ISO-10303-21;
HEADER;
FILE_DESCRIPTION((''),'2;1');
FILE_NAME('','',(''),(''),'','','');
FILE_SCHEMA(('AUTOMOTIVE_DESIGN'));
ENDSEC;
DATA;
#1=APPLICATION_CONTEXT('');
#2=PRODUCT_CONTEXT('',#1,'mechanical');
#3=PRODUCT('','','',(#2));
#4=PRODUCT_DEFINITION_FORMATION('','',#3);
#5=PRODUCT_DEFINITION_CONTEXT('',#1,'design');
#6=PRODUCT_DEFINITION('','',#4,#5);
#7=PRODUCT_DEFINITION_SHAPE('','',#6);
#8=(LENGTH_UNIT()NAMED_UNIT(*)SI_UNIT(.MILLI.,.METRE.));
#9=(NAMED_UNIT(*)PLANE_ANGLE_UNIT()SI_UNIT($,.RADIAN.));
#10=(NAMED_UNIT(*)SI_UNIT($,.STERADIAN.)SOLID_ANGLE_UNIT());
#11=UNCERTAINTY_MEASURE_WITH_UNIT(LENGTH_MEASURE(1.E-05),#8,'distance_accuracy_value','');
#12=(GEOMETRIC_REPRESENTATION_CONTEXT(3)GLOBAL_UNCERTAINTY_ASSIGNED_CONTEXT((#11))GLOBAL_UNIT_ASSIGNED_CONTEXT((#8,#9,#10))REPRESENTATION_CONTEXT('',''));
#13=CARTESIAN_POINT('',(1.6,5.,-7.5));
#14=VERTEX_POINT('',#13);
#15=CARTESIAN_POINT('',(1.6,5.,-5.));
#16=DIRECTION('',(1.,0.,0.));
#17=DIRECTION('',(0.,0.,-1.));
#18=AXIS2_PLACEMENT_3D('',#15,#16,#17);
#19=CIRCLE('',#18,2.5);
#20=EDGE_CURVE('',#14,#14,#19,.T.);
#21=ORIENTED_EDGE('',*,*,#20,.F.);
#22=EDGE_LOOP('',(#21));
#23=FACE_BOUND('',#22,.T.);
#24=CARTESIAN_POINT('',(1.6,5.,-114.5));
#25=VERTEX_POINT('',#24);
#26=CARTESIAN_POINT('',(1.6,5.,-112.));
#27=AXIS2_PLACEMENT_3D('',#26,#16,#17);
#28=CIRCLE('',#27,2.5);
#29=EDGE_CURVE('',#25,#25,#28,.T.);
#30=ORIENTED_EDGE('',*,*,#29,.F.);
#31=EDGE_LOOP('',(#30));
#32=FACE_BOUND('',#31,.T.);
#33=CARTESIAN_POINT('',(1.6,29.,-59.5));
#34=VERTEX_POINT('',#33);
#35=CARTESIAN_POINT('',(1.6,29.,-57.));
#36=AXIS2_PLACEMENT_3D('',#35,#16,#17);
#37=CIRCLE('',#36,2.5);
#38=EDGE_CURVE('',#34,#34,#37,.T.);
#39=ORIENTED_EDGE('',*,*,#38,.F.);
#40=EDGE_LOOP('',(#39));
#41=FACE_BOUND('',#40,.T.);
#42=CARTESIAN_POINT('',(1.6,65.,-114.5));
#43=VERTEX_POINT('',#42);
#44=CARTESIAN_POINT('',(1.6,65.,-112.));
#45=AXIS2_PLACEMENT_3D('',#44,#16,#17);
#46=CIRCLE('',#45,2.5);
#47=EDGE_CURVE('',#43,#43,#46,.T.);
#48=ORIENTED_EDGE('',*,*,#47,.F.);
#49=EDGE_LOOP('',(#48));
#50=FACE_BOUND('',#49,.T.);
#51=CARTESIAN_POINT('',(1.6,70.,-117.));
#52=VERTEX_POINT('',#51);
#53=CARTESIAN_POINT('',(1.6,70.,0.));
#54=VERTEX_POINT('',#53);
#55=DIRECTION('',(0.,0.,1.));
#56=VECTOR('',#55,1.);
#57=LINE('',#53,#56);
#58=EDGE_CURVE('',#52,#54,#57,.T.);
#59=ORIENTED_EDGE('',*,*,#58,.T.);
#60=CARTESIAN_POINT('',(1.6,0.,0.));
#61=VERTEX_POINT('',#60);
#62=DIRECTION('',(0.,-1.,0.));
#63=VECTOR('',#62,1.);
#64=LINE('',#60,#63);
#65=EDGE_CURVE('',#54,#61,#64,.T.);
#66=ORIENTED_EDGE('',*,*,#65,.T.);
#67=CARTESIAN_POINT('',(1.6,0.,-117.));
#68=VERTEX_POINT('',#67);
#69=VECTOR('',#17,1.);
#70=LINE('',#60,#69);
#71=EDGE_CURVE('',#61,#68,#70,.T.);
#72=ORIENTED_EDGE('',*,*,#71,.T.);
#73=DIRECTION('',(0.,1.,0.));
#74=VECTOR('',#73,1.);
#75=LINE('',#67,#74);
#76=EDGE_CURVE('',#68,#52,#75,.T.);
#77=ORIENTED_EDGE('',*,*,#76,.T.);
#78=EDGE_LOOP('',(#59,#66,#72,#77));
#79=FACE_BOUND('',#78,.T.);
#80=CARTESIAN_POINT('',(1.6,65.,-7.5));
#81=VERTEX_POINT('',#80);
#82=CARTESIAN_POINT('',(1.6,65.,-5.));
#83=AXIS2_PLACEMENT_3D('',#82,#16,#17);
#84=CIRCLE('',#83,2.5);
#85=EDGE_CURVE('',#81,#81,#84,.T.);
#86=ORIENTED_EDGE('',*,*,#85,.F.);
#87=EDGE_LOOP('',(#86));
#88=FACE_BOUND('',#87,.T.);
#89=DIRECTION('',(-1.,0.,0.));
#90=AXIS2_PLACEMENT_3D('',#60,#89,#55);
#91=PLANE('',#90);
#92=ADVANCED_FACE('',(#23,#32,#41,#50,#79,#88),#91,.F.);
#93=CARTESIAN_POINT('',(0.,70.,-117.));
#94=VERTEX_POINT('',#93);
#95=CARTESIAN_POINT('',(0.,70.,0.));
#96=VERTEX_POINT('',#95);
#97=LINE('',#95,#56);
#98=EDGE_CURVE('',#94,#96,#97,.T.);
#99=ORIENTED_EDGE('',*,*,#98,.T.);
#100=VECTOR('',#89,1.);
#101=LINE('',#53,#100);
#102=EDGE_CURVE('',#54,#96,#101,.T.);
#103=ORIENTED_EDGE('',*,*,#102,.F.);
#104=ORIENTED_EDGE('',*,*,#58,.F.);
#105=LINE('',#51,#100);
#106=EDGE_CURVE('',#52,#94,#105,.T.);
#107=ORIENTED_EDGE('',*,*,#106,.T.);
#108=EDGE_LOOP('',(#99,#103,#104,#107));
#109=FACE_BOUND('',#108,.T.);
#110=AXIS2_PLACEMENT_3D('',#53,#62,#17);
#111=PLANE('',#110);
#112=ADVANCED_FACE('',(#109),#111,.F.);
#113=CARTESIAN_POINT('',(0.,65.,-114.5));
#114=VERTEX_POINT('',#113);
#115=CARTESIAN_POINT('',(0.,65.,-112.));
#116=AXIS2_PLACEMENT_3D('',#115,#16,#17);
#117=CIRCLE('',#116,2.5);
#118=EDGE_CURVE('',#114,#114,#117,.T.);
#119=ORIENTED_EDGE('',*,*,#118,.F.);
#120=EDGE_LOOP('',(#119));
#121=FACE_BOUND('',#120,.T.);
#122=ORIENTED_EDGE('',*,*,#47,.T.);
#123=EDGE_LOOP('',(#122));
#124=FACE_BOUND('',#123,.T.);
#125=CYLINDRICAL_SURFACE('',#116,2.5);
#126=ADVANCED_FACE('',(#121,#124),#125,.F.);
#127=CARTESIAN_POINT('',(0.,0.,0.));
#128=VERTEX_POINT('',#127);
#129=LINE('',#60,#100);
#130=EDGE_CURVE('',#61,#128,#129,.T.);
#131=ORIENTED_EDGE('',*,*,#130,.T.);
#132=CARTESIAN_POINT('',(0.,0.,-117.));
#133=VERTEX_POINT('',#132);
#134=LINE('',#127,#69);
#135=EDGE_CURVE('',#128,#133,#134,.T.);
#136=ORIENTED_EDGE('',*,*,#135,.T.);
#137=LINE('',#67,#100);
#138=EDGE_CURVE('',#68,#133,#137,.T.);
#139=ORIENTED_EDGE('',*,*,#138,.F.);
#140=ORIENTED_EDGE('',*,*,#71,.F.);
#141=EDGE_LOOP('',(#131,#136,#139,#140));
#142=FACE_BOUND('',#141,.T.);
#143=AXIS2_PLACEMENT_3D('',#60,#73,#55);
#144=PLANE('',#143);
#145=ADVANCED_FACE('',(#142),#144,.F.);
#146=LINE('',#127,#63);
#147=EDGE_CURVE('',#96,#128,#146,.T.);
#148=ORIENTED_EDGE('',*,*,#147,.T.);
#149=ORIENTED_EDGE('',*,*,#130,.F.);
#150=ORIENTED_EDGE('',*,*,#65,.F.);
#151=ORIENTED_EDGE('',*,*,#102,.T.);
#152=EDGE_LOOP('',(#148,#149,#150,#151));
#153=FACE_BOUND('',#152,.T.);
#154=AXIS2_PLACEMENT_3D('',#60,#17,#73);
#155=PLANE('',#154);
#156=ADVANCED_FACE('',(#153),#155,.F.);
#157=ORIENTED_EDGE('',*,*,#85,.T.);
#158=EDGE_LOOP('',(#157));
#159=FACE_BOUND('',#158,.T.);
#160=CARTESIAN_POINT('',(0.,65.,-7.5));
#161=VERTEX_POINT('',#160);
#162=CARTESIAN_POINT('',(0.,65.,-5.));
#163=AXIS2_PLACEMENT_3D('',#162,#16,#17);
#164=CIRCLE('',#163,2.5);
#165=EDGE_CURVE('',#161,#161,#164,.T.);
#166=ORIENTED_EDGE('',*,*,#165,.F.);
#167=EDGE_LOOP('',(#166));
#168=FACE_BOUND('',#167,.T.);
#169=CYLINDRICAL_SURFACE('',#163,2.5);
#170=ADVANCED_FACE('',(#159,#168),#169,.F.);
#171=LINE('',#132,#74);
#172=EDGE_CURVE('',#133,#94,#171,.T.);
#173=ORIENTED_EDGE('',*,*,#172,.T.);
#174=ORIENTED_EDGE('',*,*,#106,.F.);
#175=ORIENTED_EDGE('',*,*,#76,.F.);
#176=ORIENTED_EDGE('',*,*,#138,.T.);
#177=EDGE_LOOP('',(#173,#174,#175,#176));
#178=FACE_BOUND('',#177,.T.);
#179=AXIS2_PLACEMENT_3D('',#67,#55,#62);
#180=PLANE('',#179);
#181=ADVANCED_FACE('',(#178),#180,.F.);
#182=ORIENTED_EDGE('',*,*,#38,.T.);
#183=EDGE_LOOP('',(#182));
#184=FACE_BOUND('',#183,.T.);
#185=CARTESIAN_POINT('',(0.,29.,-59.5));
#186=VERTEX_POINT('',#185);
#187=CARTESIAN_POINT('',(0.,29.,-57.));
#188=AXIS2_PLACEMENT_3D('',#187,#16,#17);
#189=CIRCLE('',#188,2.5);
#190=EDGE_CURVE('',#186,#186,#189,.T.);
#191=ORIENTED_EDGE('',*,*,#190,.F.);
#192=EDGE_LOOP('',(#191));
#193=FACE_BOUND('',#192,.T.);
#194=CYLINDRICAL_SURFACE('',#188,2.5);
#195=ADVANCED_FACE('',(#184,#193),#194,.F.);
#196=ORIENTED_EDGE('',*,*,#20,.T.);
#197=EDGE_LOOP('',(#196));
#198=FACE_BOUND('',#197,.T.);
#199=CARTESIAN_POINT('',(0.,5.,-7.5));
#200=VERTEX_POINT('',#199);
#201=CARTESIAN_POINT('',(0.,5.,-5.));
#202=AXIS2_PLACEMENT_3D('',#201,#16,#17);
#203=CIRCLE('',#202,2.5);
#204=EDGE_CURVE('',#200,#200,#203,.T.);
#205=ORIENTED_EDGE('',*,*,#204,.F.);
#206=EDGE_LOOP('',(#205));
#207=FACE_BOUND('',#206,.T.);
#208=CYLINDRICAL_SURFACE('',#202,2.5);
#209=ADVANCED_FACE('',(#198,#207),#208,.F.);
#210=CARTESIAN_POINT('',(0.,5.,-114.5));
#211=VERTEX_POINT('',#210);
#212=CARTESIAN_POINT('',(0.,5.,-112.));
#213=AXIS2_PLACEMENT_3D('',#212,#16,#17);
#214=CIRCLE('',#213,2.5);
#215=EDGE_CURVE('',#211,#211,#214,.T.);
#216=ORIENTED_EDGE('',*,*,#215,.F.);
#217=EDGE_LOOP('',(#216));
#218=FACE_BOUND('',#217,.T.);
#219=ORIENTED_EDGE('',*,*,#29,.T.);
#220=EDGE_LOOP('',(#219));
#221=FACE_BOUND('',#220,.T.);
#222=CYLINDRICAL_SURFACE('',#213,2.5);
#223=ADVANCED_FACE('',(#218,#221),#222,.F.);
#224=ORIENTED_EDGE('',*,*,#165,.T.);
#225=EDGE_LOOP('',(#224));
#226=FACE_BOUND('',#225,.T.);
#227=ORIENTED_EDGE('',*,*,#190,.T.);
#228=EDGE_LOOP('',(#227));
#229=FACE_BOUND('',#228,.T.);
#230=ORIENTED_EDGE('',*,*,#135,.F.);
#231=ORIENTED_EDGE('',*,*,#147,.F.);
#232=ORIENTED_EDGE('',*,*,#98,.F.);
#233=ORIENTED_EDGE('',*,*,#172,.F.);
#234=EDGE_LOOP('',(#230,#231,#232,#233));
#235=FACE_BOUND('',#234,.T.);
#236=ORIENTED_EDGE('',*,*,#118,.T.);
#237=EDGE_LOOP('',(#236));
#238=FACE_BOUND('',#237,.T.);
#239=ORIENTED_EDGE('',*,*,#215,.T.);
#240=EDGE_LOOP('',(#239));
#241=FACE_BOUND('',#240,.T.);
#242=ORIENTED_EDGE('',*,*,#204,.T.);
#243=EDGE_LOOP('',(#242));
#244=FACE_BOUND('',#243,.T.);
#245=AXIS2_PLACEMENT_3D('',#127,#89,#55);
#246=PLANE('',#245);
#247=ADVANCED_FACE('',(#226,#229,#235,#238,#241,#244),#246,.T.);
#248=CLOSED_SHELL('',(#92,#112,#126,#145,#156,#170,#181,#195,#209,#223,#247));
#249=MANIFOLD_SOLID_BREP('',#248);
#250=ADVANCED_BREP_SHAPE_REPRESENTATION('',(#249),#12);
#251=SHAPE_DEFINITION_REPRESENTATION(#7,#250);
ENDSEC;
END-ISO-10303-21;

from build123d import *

# Parameters (mm, degrees)
SKETCH1_W           = 117
SKETCH1_H           = 70
BOSS_EXTRUDE1_DEPTH = 1.6
SKETCH2_R           = 2.5
CUT_EXTRUDE1_DEPTH  = 2.6


with BuildPart() as part:
    # Sketch1 → Boss-Extrude1 (new body)
    with BuildSketch(Plane(origin=(0, 0, 0), x_dir=(0, 0, -1), z_dir=(1, 0, 0))):
        with Locations((58.5, 35)):
            Rectangle(SKETCH1_W, SKETCH1_H)
    extrude(amount=BOSS_EXTRUDE1_DEPTH)

    # Sketch2 → Cut-Extrude1 (cut, through all)
    with BuildSketch(Plane(origin=(1.6, 0, 0), x_dir=(0, 0, -1), z_dir=(1, 0, 0))):
        with Locations((5, 65)):
            Circle(SKETCH2_R)
        with Locations((5, 5)):
            Circle(SKETCH2_R)
        with Locations((112, 5)):
            Circle(SKETCH2_R)
        with Locations((112, 65)):
            Circle(SKETCH2_R)
        with Locations((57, 29)):
            Circle(SKETCH2_R)
    extrude(amount=-CUT_EXTRUDE1_DEPTH, mode=Mode.SUBTRACT)


solid = part.part
